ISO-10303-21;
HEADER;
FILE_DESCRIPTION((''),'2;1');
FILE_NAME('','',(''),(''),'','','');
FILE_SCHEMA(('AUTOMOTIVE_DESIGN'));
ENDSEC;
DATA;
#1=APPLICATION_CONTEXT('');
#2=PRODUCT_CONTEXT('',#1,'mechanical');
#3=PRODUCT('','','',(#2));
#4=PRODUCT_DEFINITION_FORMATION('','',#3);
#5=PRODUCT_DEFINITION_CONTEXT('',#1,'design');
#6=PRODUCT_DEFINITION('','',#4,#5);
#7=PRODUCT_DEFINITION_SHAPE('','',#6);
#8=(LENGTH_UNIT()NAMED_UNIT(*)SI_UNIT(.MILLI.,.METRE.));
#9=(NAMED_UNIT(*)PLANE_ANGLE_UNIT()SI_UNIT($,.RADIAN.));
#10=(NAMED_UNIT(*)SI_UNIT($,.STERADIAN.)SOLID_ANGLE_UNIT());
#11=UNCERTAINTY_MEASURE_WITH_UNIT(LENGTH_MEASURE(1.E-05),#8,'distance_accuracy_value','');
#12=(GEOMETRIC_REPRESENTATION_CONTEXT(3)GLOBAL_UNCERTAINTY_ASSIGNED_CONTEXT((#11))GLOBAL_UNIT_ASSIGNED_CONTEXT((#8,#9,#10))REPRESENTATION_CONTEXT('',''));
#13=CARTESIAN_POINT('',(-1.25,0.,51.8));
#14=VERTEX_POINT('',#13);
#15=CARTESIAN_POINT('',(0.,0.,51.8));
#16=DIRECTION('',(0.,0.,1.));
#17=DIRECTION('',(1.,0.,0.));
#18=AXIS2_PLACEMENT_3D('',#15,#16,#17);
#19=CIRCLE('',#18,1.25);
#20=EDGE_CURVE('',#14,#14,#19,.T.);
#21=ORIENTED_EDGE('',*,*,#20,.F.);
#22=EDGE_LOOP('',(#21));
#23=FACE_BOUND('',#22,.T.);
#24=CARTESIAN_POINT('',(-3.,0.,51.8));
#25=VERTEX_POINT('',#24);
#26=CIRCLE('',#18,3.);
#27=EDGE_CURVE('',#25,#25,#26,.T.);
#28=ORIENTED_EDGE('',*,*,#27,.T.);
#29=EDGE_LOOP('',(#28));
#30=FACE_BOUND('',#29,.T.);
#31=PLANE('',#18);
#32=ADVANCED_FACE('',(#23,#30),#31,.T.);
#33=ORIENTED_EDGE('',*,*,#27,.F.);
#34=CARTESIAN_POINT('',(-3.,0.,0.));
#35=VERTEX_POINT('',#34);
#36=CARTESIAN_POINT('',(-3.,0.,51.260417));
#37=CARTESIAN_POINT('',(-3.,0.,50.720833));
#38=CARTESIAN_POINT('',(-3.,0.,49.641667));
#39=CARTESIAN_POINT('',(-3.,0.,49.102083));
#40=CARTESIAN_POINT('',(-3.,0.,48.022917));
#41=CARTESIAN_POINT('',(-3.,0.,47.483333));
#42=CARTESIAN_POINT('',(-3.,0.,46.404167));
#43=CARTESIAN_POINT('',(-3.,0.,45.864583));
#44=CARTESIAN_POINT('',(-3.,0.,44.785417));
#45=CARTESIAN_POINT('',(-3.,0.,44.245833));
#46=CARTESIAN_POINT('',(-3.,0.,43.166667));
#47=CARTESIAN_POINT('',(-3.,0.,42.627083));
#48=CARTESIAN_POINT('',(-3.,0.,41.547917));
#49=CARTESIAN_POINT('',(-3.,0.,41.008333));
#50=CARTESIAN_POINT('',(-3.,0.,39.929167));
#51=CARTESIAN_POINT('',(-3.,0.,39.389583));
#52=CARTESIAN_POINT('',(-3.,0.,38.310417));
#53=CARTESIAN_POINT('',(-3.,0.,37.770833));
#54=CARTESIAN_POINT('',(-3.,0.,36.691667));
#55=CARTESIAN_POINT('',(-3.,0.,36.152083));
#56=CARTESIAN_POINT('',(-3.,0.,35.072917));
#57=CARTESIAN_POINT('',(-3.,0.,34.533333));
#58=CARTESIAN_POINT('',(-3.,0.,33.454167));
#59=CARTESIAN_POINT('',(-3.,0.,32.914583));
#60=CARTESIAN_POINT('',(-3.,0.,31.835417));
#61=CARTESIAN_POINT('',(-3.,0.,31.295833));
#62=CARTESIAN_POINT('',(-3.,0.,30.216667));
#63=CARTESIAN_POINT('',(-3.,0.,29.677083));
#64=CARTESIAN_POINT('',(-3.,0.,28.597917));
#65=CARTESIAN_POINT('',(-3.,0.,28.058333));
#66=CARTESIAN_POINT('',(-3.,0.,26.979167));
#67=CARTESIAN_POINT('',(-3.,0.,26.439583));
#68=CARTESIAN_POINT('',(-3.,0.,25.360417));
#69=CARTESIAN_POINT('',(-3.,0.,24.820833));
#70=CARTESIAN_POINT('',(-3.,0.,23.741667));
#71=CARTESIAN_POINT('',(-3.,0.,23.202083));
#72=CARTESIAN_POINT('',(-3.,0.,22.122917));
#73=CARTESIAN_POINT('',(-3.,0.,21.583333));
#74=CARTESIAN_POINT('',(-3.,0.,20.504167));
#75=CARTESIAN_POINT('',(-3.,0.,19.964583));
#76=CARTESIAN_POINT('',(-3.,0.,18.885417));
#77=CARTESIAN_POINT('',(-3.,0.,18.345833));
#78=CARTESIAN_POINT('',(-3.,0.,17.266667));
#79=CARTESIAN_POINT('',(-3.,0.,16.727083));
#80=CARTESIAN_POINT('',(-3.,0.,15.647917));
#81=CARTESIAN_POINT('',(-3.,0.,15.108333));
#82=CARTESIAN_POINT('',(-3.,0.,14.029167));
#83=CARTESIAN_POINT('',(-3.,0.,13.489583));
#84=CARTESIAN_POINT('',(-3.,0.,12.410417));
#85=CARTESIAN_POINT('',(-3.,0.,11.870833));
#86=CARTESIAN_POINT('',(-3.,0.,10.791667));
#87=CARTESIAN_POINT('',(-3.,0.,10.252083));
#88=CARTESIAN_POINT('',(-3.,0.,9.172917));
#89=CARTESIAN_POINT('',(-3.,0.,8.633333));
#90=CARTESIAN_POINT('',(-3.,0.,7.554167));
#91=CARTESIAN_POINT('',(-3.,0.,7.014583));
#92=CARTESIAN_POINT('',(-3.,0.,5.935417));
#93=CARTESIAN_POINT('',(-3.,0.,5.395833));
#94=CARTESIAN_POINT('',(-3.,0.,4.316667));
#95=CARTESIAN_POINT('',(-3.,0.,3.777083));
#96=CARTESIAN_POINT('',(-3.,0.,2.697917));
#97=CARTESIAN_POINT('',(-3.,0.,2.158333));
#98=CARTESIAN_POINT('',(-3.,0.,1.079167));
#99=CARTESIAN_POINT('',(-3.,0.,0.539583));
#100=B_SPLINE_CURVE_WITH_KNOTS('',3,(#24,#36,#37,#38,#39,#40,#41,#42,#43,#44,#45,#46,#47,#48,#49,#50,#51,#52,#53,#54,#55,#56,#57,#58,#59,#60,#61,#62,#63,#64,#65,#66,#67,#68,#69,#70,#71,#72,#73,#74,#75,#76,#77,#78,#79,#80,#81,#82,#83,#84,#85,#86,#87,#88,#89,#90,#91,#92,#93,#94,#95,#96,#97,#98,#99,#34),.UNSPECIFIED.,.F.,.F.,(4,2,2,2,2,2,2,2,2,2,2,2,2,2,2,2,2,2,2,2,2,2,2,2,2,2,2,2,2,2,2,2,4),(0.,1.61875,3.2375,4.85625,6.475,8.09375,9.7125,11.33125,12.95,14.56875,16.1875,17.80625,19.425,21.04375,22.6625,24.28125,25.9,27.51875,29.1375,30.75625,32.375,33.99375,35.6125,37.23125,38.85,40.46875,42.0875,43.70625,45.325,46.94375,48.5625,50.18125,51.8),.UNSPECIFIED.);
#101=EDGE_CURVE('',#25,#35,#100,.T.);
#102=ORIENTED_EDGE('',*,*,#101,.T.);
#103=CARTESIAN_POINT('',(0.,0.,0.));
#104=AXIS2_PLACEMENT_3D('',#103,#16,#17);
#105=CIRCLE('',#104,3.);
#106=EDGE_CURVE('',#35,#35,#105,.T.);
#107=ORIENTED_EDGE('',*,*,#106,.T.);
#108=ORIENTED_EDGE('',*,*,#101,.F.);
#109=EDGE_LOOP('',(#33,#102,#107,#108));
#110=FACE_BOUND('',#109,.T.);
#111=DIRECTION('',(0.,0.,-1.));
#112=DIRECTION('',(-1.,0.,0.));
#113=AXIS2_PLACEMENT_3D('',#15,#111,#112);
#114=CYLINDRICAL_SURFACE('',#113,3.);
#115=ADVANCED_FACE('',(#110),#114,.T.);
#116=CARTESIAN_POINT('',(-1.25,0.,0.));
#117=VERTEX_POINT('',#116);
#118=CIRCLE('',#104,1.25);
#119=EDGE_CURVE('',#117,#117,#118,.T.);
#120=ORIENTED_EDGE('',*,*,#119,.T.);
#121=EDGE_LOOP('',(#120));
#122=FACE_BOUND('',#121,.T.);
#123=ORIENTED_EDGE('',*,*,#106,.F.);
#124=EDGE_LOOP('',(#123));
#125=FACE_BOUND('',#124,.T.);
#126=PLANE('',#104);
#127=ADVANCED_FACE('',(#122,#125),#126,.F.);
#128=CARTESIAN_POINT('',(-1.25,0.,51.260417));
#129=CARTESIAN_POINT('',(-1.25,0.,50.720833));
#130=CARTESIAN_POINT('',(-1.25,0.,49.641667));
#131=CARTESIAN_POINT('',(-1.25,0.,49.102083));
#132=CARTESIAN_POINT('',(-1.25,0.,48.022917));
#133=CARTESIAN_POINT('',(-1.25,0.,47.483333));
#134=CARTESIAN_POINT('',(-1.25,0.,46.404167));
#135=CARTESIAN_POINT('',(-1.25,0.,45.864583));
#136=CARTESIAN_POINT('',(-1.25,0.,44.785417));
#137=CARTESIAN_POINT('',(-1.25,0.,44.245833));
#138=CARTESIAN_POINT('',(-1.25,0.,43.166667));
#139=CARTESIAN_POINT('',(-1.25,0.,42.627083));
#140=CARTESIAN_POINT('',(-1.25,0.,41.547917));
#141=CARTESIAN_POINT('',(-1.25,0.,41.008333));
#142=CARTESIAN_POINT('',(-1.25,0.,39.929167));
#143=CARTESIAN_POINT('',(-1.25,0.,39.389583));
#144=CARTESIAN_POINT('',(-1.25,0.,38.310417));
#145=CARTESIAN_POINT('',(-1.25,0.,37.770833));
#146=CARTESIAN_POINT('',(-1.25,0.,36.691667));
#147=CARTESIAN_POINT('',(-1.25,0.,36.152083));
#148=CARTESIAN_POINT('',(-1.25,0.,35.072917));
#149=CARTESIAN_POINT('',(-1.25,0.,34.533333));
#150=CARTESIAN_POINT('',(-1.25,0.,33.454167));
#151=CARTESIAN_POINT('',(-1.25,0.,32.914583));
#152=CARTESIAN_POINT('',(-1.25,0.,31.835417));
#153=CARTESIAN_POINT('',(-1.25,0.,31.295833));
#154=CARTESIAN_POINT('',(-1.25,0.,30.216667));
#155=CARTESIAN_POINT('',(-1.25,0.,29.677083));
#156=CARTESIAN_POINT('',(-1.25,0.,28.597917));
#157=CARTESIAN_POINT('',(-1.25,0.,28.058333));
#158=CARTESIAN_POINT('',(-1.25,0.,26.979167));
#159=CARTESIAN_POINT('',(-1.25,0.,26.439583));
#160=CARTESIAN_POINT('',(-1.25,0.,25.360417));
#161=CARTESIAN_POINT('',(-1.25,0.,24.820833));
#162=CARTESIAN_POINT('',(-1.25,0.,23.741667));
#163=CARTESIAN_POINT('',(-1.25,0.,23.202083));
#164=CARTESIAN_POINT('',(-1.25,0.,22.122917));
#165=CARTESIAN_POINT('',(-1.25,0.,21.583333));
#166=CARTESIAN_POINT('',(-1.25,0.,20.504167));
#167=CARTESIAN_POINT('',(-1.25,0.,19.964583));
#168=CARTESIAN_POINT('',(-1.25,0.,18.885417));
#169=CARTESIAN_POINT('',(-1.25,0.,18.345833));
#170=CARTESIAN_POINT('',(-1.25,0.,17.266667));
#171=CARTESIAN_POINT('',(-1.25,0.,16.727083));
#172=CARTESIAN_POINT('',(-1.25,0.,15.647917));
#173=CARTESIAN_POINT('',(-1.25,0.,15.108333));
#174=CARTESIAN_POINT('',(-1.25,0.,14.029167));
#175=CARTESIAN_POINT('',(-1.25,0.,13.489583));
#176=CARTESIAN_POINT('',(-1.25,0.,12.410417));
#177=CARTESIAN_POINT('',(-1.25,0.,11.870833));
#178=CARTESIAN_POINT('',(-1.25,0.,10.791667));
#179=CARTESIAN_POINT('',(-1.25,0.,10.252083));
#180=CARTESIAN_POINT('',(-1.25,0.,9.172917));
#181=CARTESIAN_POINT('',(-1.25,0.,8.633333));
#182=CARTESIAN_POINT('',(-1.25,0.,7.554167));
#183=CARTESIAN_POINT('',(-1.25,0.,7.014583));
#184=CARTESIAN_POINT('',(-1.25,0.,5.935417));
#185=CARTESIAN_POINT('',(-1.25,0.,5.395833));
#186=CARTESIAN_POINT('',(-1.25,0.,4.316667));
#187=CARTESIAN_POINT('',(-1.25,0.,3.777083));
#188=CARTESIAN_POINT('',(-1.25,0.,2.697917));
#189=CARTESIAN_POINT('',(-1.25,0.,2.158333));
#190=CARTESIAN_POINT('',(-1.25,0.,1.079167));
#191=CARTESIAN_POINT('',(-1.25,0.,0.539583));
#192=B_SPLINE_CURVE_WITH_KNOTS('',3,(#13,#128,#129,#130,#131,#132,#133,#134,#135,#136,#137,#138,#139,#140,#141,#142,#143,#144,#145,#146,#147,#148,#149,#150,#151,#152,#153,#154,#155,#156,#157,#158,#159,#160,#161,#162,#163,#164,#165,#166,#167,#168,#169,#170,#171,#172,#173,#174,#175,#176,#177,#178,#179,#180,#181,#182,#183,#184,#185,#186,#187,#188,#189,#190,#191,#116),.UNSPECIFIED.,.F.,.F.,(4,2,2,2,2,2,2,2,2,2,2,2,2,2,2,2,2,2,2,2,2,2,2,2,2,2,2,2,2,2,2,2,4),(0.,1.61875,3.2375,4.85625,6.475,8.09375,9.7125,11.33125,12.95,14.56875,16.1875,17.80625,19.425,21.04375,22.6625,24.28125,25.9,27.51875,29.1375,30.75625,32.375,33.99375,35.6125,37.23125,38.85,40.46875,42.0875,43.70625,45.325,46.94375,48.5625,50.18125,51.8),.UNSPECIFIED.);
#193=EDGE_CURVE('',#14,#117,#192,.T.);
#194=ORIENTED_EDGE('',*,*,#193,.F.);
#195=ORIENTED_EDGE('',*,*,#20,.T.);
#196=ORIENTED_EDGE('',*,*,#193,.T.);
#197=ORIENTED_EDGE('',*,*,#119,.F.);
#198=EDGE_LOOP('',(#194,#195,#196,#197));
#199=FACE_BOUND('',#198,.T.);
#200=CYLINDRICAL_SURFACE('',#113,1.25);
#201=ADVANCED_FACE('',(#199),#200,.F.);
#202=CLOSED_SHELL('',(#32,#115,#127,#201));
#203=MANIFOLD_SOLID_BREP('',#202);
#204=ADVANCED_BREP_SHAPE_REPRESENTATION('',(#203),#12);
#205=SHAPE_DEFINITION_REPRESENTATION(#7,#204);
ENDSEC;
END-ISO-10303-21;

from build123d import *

# Parameters (mm, degrees)
ESBO_O1_R                = 3
ESBO_O1_R_2              = 1.25
RESSALTO_EXTRUS_O1_DEPTH = 51.8


with BuildPart() as part:
    # Esboço1 → Ressalto-extrusão1 (new body)
    with BuildSketch(Plane.XY):
        with Locations(Location((0, 0, 0), (0, 0, 180))):
            Circle(ESBO_O1_R)
        with Locations(Location((0, 0, 0), (0, 0, 180))):
            Circle(ESBO_O1_R_2, mode=Mode.SUBTRACT)
    extrude(amount=RESSALTO_EXTRUS_O1_DEPTH)


solid = part.part
